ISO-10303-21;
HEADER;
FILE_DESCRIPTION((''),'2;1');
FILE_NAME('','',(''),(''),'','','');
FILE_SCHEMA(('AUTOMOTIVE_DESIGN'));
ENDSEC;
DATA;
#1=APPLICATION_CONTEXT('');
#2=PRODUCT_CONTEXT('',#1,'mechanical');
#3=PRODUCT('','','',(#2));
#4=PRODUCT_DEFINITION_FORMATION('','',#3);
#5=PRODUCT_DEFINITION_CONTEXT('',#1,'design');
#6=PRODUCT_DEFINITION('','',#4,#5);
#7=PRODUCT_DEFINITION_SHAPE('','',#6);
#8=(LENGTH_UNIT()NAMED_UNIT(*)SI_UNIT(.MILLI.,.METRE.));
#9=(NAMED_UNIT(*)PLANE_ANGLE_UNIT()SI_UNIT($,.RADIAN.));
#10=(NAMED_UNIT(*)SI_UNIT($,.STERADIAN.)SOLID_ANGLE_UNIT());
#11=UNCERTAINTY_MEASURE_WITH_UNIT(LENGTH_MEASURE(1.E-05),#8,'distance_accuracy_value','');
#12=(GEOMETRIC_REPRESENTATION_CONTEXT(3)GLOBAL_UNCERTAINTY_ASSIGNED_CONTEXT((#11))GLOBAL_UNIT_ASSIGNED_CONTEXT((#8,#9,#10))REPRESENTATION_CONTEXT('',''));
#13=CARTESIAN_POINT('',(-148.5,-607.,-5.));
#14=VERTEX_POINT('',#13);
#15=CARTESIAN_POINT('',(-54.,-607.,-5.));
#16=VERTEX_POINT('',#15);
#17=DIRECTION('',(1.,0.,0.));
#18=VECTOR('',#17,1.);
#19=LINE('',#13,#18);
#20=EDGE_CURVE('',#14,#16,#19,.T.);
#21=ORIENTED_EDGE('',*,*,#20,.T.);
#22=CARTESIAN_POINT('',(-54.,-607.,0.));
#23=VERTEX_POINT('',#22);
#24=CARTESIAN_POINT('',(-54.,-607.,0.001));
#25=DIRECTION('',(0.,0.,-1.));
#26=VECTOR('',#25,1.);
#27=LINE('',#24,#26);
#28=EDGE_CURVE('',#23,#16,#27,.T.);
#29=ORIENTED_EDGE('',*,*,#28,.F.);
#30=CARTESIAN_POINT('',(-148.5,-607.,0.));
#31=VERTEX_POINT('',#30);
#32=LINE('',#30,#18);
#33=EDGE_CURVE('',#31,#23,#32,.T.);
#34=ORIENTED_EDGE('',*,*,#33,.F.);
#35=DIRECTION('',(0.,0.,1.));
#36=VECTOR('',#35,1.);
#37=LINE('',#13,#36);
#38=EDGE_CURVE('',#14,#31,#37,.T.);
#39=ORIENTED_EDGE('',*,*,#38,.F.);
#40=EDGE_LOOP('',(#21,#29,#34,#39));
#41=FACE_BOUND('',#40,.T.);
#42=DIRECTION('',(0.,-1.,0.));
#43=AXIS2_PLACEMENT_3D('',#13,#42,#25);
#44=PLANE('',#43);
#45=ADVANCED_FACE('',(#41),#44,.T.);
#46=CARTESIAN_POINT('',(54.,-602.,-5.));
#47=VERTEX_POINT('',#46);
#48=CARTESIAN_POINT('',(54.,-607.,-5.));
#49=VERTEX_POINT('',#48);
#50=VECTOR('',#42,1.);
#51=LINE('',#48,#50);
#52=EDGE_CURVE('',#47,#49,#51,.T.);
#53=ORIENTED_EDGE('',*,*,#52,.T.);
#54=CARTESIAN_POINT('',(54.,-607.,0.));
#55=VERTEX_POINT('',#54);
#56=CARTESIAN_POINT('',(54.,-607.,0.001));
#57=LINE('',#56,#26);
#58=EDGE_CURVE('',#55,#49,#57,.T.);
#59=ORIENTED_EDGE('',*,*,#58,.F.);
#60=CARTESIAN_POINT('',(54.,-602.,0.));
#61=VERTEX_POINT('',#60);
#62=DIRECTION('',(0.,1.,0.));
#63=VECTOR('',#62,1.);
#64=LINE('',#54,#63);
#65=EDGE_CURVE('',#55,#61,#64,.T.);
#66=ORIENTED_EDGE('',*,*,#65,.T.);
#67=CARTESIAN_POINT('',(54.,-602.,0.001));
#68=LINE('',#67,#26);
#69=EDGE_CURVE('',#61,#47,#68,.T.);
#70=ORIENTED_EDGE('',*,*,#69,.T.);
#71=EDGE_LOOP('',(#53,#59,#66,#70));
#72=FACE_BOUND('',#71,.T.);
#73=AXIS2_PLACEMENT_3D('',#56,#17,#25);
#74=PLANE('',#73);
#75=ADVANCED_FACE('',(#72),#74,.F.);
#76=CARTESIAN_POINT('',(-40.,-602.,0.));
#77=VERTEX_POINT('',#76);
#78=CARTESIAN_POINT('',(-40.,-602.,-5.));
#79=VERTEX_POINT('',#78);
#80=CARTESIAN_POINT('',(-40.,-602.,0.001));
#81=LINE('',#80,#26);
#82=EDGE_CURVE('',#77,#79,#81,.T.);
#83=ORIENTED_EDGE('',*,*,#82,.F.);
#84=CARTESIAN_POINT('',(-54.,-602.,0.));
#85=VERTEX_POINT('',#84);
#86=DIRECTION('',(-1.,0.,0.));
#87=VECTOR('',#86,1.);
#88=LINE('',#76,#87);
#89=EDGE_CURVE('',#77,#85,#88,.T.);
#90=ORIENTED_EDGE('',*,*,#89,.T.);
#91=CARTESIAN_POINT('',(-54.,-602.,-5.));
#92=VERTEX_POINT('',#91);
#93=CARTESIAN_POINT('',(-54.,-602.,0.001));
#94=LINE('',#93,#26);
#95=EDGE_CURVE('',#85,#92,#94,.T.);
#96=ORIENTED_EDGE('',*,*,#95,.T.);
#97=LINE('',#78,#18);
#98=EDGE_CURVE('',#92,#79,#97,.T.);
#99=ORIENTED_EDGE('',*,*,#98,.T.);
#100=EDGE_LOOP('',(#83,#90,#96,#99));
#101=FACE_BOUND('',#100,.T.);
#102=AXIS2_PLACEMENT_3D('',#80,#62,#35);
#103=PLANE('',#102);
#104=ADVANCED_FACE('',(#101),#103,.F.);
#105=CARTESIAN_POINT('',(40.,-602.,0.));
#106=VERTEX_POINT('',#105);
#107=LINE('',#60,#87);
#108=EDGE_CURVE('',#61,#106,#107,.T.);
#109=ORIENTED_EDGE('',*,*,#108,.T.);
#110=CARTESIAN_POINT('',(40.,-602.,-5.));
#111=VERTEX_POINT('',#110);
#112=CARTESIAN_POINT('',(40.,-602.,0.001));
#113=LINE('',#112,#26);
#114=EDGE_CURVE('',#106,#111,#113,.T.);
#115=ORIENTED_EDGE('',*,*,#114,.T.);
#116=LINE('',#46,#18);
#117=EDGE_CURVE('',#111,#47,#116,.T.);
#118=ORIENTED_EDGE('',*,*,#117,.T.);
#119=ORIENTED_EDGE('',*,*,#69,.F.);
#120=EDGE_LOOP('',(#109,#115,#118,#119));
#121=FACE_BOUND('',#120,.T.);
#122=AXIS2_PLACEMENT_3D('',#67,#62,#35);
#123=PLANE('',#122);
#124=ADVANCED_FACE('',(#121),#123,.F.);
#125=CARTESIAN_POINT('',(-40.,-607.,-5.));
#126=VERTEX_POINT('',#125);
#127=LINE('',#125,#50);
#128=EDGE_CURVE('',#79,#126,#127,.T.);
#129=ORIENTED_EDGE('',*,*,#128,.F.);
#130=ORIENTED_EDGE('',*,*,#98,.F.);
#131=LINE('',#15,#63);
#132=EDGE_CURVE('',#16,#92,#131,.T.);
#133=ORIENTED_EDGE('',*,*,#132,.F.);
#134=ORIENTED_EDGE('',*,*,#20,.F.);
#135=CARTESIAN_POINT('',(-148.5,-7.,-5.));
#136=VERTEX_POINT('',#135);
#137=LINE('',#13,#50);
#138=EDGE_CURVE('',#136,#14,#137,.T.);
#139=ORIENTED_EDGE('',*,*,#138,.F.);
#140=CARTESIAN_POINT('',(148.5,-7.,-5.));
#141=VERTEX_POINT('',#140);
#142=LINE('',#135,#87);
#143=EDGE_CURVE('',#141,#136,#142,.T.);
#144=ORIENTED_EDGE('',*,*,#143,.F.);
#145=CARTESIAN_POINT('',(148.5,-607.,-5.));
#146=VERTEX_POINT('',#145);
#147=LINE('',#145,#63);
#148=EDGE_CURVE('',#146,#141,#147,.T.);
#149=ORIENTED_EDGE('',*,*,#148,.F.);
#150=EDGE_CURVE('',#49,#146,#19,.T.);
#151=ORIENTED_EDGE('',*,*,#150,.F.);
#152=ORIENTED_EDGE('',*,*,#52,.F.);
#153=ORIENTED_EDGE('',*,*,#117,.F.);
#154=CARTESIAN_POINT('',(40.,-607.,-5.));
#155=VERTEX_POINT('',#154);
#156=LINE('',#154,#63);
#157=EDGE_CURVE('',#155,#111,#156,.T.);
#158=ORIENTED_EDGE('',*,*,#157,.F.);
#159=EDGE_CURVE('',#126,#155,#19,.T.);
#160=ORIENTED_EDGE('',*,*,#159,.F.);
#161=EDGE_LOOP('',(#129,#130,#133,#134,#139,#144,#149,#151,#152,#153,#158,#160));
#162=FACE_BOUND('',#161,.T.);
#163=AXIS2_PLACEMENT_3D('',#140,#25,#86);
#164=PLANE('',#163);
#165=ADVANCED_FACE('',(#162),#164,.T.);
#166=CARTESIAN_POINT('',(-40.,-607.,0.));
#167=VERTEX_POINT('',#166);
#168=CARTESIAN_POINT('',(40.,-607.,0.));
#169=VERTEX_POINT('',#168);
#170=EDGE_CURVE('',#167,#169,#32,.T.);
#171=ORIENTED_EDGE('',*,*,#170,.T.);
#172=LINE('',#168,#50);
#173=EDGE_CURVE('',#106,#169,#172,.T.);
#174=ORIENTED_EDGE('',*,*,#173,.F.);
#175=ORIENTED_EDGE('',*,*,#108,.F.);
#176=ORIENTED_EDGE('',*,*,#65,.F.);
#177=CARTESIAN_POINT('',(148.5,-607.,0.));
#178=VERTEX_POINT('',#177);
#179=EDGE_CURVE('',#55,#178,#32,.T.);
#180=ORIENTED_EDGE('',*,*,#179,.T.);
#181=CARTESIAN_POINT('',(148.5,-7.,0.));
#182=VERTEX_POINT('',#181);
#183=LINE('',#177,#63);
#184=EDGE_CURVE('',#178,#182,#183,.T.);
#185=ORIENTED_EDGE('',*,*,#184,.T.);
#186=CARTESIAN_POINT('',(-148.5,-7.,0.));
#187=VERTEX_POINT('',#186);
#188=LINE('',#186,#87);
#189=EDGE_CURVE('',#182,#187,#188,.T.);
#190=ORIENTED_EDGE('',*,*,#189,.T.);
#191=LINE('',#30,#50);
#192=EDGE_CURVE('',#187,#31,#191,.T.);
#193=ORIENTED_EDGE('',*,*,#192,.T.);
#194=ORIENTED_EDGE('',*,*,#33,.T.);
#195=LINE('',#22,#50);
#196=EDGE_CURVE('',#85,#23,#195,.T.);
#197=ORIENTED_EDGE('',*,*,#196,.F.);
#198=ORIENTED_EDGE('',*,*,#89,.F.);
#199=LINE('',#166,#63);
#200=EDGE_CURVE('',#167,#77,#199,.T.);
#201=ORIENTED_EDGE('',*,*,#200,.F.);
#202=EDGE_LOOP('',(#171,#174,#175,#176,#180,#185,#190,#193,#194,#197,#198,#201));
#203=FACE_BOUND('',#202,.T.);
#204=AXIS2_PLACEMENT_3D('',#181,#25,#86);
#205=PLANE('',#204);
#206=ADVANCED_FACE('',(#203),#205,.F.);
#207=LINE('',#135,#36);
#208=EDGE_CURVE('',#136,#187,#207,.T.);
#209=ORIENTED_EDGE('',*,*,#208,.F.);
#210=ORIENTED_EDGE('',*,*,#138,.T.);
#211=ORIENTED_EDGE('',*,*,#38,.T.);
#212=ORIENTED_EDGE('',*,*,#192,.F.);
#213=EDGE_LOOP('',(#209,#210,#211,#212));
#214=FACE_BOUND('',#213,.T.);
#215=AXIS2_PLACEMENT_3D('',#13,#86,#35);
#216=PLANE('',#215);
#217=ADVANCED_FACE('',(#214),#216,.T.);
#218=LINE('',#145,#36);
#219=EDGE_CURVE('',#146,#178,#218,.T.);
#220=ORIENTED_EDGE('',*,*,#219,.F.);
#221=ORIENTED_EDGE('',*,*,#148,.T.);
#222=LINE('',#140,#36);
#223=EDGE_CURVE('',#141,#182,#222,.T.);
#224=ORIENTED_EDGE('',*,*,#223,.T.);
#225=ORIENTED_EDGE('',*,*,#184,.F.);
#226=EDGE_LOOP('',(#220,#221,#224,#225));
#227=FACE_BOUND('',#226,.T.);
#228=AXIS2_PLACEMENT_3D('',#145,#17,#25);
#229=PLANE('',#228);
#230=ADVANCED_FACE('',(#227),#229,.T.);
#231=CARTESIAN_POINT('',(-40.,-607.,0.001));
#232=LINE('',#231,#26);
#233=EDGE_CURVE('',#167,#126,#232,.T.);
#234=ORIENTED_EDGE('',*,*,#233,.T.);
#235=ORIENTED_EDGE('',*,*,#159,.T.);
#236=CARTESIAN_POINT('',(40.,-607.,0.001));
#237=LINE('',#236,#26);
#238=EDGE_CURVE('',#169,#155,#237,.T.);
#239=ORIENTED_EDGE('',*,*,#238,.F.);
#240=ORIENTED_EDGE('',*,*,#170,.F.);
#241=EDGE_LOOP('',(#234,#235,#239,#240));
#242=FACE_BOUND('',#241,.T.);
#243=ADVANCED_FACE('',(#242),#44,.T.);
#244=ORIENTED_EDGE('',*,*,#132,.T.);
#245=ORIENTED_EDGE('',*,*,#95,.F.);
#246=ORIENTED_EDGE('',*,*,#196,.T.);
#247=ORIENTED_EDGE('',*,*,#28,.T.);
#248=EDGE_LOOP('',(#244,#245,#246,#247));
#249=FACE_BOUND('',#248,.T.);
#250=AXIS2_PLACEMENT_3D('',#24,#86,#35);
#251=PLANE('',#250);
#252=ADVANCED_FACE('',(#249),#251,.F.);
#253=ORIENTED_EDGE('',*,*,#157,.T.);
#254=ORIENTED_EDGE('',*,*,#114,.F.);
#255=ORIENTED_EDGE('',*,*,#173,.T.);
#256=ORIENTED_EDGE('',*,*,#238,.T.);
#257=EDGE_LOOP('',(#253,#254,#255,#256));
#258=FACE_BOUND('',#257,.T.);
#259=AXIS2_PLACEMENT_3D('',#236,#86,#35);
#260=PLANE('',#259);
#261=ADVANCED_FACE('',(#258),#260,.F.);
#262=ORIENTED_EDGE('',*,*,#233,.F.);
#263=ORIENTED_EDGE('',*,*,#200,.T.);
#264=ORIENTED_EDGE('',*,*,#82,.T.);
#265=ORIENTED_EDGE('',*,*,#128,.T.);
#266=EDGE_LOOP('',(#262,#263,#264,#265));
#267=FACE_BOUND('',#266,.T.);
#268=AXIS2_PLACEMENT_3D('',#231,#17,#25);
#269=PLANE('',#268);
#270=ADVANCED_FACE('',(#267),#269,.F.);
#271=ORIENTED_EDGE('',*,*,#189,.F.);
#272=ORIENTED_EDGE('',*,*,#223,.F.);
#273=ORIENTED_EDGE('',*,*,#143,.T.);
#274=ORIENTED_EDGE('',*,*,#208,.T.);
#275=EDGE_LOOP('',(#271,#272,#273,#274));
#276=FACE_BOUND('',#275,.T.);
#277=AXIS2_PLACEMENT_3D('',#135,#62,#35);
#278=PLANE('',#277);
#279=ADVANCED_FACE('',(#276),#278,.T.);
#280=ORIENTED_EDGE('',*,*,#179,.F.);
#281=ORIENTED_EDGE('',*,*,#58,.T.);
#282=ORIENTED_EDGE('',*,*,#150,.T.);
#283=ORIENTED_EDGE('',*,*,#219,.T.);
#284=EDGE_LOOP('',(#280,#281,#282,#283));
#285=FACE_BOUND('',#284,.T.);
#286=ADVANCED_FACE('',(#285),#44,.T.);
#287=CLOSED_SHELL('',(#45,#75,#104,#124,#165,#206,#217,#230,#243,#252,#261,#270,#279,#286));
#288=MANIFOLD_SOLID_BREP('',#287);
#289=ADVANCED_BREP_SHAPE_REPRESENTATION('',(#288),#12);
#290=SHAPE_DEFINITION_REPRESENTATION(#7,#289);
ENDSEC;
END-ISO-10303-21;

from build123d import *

# Parameters (mm, degrees)
SKETCH1_W          = 297
SKETCH1_H          = 600
EXTRUDE1_DEPTH     = 5
CUT_EXTRUDE1_REACH = 626.921
SKETCH2_W          = 14
SKETCH2_H          = 5


with BuildPart() as part:
    # Sketch1 → Extrude1 (new body)
    with BuildSketch(Plane.XY):
        with Locations((0, -307)):
            Rectangle(SKETCH1_W, SKETCH1_H)
    extrude(amount=-EXTRUDE1_DEPTH)

    # Sketch2 → Cut-Extrude1 (cut, up to next)
    with BuildSketch(Plane(origin=(0, 0, -5), x_dir=(-1, 0, 0), z_dir=(0, 0, -1)), mode=Mode.PRIVATE) as cut_extrude1_sk1:
        with Locations((-47, -604.5)):
            Rectangle(SKETCH2_W, SKETCH2_H)
    cut_extrude1_tool1 = extrude(cut_extrude1_sk1.sketch, amount=-CUT_EXTRUDE1_REACH, mode=Mode.PRIVATE) & part.part
    # Sketch2 → Cut-Extrude1 (cut, up to next)
    with BuildSketch(Plane(origin=(0, 0, -5), x_dir=(-1, 0, 0), z_dir=(0, 0, -1)), mode=Mode.PRIVATE) as cut_extrude1_sk2:
        with Locations((47, -604.5)):
            Rectangle(SKETCH2_W, SKETCH2_H)
    cut_extrude1_tool2 = extrude(cut_extrude1_sk2.sketch, amount=-CUT_EXTRUDE1_REACH, mode=Mode.PRIVATE) & part.part
    add(cut_extrude1_tool1.solids().sort_by_distance((47, -604.5, -5))[0], mode=Mode.SUBTRACT)
    add(cut_extrude1_tool2.solids().sort_by_distance((-47, -604.5, -5))[0], mode=Mode.SUBTRACT)


solid = part.part
